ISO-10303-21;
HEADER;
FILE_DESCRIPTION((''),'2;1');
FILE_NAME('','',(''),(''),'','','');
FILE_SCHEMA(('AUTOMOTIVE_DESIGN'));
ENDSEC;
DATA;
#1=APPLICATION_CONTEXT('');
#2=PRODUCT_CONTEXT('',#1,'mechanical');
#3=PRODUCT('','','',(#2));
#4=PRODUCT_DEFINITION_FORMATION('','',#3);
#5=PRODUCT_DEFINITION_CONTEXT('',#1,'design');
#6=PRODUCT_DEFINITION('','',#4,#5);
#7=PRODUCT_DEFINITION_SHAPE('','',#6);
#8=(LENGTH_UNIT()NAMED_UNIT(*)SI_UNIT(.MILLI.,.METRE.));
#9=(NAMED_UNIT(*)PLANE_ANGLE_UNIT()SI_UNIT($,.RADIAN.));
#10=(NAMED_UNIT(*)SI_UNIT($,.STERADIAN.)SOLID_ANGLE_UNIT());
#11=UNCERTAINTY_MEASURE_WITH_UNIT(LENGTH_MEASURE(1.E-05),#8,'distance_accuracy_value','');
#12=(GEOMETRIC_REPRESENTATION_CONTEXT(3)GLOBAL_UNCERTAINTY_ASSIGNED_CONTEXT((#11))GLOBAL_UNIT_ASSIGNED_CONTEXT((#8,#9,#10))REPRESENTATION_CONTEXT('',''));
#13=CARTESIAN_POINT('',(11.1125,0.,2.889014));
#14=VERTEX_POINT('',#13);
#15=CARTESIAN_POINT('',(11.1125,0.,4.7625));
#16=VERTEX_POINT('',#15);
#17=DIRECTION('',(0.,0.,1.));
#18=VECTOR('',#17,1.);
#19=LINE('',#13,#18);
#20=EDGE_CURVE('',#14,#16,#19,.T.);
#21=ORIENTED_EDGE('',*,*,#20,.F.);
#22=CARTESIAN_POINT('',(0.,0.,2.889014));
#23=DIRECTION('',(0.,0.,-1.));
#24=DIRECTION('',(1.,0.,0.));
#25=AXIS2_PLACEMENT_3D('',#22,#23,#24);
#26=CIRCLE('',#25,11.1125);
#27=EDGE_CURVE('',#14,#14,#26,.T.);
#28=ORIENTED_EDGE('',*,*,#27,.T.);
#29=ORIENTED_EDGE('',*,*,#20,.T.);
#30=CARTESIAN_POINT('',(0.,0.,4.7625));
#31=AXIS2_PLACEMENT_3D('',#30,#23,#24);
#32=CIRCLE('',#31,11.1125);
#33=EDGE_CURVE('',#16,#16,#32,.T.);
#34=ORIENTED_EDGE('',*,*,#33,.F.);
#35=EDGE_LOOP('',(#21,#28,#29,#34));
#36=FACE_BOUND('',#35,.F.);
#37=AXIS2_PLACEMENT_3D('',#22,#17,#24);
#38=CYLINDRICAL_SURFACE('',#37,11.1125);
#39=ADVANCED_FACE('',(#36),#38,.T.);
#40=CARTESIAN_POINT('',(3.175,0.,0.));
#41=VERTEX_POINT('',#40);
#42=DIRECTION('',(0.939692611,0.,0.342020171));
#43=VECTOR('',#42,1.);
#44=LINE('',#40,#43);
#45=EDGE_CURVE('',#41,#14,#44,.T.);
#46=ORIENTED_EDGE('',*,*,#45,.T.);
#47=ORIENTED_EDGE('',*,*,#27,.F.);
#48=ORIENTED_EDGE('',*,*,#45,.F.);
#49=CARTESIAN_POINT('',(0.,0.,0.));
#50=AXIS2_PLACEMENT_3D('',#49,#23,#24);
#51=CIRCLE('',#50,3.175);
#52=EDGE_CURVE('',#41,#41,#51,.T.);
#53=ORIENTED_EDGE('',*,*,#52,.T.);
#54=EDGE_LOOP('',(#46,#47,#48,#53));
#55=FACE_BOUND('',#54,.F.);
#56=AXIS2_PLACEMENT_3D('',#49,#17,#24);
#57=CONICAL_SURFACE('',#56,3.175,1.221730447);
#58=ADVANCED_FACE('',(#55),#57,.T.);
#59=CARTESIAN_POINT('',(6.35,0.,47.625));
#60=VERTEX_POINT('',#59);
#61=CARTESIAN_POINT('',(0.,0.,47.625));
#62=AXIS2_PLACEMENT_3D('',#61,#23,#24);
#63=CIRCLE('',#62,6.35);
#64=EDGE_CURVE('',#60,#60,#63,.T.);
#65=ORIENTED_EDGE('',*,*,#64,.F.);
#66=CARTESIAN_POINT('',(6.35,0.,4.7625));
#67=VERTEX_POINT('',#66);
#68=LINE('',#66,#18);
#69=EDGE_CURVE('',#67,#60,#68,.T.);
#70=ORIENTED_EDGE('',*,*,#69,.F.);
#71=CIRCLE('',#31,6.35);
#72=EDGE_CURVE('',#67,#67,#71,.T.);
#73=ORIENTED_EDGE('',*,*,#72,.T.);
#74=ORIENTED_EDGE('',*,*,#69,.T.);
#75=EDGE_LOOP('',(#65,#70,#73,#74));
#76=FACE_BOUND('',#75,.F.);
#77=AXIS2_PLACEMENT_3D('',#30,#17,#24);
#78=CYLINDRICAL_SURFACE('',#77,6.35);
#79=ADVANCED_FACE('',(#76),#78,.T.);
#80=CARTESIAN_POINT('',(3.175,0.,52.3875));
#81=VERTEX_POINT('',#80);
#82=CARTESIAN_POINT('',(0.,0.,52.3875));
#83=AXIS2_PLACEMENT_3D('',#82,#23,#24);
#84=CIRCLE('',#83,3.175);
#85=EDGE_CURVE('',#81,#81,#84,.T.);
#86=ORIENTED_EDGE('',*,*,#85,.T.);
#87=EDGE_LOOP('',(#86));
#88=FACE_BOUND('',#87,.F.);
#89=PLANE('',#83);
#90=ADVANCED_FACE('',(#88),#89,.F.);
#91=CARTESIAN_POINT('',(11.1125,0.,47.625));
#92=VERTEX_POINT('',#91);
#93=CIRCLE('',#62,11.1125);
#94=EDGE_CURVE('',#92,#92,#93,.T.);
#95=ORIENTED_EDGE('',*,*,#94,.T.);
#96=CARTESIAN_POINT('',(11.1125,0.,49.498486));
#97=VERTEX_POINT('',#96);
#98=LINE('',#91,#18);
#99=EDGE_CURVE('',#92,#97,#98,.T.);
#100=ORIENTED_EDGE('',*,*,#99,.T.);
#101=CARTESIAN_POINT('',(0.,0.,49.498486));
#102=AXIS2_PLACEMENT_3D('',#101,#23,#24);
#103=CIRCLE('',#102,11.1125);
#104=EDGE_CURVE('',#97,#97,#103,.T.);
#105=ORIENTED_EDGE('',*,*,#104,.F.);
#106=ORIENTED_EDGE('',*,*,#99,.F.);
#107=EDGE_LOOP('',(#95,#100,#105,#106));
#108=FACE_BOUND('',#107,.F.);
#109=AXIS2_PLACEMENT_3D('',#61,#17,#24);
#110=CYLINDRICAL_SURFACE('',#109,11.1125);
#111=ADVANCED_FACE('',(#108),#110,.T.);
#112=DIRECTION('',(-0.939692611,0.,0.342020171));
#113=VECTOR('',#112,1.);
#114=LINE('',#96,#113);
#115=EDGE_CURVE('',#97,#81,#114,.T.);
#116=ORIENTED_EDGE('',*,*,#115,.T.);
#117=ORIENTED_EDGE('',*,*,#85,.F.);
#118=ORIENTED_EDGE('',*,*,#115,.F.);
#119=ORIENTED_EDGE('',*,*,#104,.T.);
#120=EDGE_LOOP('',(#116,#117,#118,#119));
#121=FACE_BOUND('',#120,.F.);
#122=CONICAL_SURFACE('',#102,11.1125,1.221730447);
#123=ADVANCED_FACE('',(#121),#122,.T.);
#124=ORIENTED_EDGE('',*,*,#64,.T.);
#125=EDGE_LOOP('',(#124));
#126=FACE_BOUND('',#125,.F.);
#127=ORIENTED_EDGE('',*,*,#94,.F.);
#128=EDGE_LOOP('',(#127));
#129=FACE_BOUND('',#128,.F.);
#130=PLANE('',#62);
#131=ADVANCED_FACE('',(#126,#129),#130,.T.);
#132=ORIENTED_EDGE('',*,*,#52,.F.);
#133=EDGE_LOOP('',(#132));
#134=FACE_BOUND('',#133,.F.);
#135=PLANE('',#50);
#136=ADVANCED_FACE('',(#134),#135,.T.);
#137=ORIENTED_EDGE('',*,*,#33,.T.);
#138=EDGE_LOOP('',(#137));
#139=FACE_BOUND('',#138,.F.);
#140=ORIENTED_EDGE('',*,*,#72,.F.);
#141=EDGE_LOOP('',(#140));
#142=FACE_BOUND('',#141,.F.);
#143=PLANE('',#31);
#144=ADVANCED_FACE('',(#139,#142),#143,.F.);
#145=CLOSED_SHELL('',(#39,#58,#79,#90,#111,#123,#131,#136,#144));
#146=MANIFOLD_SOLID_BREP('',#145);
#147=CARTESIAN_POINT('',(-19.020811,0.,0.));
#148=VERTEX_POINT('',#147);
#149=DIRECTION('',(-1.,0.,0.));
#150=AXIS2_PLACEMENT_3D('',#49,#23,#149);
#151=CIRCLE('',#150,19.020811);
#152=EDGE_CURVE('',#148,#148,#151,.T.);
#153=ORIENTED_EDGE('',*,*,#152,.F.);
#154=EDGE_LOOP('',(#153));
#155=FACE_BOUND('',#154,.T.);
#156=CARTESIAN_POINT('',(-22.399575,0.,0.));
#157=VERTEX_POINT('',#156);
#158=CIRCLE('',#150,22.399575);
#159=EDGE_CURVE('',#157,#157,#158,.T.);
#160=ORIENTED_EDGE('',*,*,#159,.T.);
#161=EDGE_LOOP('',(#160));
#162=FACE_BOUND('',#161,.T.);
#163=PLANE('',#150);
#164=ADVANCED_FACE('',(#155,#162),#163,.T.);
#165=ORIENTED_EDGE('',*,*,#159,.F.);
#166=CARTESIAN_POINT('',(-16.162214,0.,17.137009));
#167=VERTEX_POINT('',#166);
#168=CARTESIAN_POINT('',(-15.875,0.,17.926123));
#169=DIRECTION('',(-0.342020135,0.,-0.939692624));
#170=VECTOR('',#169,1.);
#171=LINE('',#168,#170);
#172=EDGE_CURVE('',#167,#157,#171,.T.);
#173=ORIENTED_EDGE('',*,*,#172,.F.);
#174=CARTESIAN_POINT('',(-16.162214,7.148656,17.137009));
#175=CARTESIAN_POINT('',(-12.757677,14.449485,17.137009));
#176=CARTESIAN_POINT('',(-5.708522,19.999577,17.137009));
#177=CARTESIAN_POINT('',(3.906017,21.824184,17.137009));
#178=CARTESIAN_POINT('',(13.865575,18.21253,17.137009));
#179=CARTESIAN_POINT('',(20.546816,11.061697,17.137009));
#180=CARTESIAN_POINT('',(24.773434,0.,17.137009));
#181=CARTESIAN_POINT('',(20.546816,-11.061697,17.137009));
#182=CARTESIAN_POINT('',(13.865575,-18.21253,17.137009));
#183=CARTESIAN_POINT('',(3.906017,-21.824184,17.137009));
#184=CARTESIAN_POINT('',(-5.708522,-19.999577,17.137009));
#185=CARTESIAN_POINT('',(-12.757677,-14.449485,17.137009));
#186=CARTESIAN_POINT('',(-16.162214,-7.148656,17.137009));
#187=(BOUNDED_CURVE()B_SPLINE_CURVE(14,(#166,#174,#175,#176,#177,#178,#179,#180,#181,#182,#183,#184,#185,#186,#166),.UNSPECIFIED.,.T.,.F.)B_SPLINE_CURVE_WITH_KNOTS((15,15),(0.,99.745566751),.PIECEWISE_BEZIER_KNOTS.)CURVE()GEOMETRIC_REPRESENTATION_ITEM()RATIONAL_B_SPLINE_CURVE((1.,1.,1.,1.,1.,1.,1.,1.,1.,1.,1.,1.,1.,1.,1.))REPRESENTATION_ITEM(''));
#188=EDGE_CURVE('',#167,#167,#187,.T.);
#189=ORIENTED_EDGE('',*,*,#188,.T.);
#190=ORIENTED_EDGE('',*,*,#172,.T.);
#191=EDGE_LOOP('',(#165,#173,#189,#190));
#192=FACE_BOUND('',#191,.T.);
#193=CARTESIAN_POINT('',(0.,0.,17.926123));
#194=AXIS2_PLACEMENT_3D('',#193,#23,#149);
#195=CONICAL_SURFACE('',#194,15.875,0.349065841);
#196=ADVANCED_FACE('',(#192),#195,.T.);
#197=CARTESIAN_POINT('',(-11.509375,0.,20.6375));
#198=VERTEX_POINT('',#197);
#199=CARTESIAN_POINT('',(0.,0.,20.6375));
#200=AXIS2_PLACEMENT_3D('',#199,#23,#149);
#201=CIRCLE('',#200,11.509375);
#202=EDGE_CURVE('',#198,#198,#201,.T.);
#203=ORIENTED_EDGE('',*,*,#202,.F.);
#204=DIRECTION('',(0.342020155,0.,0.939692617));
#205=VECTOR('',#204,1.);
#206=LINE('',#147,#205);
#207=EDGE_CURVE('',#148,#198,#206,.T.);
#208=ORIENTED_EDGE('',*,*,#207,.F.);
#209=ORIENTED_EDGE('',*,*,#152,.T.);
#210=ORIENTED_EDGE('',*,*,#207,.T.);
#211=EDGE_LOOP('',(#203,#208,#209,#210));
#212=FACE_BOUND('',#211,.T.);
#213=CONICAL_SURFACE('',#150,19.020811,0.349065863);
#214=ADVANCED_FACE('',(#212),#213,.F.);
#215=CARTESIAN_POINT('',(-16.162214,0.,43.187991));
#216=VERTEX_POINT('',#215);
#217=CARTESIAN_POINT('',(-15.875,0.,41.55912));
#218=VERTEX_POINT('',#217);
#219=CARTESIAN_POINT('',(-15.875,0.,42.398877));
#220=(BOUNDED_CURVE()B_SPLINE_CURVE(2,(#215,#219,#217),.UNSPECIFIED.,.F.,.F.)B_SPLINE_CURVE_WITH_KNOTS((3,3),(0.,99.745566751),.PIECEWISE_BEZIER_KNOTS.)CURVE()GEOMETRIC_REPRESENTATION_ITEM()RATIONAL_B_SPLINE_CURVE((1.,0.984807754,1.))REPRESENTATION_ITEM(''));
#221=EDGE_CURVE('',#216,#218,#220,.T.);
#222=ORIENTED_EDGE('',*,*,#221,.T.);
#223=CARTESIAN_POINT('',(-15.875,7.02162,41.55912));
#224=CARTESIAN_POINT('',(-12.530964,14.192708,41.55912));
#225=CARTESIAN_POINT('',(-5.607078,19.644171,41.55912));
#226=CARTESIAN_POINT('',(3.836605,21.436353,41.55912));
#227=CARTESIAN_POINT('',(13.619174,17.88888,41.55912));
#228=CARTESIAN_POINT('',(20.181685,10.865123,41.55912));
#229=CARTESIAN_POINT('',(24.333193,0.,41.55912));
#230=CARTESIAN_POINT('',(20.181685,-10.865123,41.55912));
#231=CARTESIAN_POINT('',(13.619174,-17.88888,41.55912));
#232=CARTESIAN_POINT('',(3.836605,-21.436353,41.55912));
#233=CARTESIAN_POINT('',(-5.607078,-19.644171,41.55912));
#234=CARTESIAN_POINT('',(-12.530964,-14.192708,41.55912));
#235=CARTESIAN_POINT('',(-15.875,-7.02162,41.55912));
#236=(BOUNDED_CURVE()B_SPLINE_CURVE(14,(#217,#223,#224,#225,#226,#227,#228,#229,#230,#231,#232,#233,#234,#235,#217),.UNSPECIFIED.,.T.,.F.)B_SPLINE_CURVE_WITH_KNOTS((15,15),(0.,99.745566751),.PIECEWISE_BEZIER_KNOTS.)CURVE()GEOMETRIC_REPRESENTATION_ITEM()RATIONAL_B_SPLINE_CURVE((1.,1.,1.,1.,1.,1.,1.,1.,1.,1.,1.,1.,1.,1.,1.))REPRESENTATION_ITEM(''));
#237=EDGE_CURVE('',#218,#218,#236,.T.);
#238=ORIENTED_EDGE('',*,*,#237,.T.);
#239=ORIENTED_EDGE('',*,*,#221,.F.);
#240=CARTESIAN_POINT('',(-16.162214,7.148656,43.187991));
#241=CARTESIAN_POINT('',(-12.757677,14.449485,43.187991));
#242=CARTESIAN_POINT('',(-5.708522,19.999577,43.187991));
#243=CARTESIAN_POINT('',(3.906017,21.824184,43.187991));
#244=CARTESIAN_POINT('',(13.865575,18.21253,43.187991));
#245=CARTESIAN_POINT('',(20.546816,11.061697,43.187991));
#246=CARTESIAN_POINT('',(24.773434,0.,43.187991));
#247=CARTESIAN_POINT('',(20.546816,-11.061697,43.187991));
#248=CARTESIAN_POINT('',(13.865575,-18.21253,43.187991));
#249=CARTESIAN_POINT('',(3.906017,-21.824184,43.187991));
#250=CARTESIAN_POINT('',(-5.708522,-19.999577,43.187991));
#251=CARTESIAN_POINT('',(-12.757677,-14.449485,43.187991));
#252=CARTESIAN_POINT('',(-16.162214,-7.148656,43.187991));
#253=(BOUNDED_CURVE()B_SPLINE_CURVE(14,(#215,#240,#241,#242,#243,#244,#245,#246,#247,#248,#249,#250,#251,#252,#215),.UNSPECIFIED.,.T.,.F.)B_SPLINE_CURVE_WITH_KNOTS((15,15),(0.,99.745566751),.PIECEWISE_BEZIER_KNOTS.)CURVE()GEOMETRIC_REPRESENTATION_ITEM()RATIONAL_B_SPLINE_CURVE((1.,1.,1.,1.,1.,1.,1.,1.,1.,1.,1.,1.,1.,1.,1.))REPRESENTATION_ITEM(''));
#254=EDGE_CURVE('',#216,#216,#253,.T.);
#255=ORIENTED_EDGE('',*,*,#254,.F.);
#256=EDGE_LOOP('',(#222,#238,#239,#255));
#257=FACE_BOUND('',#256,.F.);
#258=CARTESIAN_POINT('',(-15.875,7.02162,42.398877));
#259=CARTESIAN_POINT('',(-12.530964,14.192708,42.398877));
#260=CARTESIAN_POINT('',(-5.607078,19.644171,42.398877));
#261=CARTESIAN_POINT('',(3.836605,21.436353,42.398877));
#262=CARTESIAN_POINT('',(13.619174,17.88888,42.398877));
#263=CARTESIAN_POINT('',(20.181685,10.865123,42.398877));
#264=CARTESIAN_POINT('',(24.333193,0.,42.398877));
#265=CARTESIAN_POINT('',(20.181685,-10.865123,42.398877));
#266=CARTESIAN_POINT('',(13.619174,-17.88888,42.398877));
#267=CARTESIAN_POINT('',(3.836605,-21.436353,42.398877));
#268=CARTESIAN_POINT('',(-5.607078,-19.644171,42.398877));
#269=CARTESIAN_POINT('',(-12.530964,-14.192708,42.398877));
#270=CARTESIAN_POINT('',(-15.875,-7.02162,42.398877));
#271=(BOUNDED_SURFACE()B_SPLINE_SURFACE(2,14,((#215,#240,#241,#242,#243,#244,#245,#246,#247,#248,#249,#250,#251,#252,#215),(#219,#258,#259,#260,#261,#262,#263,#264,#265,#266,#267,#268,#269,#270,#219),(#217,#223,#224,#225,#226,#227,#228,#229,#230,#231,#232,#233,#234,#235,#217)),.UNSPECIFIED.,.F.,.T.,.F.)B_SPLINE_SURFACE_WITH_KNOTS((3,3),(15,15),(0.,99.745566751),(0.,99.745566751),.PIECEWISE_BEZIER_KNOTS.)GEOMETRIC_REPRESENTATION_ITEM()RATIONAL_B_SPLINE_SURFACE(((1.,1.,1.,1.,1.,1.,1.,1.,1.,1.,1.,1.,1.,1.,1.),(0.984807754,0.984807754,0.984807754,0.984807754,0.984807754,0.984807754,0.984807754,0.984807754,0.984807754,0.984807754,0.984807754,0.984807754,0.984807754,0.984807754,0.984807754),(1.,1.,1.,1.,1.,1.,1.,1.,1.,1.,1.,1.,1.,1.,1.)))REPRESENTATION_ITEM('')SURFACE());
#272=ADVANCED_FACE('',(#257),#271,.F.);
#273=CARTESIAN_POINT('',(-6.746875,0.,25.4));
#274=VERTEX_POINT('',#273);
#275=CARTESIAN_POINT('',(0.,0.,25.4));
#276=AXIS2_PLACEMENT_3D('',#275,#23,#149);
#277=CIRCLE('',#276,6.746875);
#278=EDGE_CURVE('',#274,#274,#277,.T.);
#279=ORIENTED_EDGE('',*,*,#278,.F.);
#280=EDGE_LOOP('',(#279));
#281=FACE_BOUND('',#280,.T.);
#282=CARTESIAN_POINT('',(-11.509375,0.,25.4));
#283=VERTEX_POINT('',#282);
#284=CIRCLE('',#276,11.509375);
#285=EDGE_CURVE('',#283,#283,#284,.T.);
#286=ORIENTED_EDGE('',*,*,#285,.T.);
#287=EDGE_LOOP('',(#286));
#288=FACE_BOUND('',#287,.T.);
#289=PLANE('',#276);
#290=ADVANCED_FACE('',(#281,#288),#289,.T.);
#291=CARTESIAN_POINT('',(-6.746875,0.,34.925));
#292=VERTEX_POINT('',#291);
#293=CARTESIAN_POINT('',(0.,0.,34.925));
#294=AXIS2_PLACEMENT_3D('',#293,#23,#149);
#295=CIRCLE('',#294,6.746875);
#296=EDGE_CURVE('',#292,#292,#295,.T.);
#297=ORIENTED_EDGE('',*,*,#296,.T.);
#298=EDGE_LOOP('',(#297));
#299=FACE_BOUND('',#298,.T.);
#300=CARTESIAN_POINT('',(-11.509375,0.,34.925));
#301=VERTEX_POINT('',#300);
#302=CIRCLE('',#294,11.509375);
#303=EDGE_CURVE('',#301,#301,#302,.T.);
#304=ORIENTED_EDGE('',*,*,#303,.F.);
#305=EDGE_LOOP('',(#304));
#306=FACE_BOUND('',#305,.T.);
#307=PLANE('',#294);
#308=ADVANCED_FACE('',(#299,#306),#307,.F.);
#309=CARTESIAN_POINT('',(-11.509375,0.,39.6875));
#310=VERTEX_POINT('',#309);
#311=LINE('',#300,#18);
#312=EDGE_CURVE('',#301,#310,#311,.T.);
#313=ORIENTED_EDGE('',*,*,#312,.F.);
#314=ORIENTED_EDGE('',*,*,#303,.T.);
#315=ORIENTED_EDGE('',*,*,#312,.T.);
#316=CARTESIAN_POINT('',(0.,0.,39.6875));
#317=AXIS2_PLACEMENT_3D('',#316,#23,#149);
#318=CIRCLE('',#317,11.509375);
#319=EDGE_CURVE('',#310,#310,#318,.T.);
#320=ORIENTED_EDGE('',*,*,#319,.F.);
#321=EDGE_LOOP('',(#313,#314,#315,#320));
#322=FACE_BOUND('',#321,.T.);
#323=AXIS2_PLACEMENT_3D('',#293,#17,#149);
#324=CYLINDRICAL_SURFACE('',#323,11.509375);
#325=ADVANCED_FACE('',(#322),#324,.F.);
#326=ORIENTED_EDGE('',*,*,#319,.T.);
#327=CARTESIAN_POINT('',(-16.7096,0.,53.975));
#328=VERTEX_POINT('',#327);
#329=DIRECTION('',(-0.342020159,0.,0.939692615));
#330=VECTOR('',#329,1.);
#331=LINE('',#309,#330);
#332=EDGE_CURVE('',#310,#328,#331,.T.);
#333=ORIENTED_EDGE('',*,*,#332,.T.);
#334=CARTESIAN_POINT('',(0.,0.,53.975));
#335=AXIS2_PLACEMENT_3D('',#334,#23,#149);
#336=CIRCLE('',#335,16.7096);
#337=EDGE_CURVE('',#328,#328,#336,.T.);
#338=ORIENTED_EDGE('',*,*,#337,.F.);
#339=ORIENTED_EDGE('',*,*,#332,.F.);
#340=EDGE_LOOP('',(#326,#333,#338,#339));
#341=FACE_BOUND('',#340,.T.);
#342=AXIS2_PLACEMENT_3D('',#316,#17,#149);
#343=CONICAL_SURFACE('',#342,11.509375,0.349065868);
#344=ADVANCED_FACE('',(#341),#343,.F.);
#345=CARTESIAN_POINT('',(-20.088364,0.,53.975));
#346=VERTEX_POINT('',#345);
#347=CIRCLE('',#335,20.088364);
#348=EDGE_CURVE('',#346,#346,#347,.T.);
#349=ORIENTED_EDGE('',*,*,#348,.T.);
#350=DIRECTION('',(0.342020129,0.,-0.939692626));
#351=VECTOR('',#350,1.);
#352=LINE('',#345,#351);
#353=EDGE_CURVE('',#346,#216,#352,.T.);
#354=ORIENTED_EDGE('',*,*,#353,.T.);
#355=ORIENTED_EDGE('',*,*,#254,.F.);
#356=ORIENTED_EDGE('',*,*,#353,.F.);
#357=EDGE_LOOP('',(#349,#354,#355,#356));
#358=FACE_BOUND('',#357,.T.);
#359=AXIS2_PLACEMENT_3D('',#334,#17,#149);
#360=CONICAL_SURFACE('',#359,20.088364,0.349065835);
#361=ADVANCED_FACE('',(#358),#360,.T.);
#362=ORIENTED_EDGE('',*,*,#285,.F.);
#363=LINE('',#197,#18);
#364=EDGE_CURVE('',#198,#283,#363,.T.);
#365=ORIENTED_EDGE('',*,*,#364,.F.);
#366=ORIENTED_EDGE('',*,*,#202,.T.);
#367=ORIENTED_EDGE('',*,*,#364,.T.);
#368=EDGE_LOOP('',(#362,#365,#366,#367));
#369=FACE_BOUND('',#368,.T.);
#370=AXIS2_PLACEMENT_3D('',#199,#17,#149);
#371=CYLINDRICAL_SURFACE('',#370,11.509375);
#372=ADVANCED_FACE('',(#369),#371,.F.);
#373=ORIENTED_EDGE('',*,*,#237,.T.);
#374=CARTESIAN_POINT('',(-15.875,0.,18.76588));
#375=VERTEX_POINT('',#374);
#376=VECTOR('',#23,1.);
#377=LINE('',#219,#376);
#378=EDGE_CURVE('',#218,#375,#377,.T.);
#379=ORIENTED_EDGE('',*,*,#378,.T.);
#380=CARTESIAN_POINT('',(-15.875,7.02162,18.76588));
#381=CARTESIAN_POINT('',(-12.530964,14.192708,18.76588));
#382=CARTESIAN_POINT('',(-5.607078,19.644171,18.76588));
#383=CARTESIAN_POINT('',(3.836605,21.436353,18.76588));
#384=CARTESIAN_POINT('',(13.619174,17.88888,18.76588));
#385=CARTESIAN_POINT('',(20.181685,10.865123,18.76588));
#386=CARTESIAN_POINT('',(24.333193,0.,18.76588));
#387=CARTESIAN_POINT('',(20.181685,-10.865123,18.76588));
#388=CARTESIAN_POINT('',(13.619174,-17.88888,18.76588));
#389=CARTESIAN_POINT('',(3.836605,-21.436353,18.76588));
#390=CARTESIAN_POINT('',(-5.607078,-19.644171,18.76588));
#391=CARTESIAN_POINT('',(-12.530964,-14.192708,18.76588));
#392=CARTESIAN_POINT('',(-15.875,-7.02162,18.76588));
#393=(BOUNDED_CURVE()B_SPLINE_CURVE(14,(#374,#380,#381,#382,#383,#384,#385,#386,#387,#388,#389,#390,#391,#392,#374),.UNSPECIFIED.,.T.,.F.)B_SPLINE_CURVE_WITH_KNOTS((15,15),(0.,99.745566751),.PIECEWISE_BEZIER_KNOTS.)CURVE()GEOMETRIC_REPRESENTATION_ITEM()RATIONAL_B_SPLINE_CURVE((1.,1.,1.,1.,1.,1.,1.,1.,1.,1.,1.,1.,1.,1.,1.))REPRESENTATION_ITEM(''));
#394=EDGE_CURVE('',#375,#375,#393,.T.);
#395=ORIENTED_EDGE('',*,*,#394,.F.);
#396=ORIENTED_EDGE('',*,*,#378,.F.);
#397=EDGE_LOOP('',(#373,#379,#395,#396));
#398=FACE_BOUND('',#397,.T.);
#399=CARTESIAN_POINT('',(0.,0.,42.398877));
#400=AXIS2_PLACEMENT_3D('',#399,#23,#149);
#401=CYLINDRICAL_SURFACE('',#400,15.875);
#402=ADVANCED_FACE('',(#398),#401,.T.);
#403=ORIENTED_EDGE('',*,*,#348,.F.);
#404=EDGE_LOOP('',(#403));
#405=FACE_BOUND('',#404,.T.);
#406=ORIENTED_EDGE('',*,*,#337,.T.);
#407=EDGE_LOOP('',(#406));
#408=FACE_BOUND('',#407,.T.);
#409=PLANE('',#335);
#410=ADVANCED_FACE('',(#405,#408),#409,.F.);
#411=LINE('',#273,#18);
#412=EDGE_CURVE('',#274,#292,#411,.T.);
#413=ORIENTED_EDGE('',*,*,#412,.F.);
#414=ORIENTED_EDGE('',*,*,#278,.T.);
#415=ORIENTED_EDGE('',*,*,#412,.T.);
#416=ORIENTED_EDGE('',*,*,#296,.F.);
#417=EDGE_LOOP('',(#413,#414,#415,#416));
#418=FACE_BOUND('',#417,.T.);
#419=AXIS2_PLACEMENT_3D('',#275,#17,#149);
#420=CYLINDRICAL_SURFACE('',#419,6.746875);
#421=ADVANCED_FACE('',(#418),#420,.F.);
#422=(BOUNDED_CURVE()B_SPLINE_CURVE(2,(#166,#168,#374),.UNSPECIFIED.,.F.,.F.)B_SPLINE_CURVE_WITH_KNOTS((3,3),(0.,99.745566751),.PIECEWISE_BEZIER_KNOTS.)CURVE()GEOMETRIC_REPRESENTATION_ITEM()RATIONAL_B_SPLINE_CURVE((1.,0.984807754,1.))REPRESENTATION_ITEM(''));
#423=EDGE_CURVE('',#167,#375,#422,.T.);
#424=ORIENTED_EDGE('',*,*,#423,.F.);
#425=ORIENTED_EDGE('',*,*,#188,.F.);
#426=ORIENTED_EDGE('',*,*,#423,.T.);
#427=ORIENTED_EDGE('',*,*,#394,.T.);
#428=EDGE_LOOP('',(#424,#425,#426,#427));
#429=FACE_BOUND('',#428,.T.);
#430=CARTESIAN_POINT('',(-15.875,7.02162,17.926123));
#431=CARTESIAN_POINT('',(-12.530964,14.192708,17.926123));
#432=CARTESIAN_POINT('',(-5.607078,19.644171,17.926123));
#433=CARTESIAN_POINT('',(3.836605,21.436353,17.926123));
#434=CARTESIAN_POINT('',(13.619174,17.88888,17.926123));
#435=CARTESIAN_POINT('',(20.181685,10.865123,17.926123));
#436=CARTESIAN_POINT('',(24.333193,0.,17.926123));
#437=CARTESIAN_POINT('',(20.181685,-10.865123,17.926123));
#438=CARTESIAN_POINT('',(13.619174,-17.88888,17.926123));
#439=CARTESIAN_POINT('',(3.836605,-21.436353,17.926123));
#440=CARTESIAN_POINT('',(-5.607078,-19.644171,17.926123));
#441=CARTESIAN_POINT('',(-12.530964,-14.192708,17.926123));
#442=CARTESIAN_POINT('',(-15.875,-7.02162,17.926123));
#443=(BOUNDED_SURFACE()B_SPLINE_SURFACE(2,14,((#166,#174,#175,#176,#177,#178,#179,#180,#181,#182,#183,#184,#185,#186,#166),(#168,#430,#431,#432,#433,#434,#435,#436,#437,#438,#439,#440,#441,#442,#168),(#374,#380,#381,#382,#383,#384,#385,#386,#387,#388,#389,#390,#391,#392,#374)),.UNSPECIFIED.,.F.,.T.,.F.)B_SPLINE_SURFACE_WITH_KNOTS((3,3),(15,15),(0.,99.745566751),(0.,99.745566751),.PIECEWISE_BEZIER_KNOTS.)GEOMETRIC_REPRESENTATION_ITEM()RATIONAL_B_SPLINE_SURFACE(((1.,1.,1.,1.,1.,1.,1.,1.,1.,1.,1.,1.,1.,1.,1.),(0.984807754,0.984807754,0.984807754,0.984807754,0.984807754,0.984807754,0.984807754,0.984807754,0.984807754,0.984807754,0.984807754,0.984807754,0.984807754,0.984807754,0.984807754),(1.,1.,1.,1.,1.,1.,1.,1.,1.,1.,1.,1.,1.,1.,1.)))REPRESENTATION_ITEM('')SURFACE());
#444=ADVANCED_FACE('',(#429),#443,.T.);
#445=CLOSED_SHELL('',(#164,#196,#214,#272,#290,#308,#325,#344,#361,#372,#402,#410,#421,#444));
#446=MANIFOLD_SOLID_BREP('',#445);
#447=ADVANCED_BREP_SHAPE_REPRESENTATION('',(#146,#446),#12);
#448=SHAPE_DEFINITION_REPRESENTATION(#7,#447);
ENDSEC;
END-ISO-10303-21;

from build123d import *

# Parameters (mm, degrees)
F2_R = 4.7625


with BuildPart() as f1:
    # F0 (on Front) → F1 (revolve)
    with BuildSketch(Plane.XZ):
        Polygon((0, 52.3875), (0, 0), (3.175, 0), (11.1125, 2.889014), (11.1125, 4.7625), (6.35, 4.7625), (6.35, 47.625), (11.1125, 47.625), (11.1125, 49.498486), (3.175, 52.3875), align=None)
        Polygon((-15.875, 17.926123), (-22.399575, 0), (-19.020811, 0), (-11.509375, 20.6375), (-11.509375, 25.4), (-6.746875, 25.4), (-6.746875, 34.925), (-11.509375, 34.925), (-11.509375, 39.6875), (-16.7096, 53.975), (-20.088364, 53.975), (-15.875, 42.398877), align=None)
    revolve(axis=Axis((0, 0, -7.775913), (0, 0, -1)))

    # F2
    f2_edges = [f1.edges().sort_by_distance(p)[0] for p in [
        (15.875, 0, 42.398877),
        (15.875, 0, 17.926123),
    ]]
    fillet(f2_edges, radius=F2_R)


solid = f1.part
